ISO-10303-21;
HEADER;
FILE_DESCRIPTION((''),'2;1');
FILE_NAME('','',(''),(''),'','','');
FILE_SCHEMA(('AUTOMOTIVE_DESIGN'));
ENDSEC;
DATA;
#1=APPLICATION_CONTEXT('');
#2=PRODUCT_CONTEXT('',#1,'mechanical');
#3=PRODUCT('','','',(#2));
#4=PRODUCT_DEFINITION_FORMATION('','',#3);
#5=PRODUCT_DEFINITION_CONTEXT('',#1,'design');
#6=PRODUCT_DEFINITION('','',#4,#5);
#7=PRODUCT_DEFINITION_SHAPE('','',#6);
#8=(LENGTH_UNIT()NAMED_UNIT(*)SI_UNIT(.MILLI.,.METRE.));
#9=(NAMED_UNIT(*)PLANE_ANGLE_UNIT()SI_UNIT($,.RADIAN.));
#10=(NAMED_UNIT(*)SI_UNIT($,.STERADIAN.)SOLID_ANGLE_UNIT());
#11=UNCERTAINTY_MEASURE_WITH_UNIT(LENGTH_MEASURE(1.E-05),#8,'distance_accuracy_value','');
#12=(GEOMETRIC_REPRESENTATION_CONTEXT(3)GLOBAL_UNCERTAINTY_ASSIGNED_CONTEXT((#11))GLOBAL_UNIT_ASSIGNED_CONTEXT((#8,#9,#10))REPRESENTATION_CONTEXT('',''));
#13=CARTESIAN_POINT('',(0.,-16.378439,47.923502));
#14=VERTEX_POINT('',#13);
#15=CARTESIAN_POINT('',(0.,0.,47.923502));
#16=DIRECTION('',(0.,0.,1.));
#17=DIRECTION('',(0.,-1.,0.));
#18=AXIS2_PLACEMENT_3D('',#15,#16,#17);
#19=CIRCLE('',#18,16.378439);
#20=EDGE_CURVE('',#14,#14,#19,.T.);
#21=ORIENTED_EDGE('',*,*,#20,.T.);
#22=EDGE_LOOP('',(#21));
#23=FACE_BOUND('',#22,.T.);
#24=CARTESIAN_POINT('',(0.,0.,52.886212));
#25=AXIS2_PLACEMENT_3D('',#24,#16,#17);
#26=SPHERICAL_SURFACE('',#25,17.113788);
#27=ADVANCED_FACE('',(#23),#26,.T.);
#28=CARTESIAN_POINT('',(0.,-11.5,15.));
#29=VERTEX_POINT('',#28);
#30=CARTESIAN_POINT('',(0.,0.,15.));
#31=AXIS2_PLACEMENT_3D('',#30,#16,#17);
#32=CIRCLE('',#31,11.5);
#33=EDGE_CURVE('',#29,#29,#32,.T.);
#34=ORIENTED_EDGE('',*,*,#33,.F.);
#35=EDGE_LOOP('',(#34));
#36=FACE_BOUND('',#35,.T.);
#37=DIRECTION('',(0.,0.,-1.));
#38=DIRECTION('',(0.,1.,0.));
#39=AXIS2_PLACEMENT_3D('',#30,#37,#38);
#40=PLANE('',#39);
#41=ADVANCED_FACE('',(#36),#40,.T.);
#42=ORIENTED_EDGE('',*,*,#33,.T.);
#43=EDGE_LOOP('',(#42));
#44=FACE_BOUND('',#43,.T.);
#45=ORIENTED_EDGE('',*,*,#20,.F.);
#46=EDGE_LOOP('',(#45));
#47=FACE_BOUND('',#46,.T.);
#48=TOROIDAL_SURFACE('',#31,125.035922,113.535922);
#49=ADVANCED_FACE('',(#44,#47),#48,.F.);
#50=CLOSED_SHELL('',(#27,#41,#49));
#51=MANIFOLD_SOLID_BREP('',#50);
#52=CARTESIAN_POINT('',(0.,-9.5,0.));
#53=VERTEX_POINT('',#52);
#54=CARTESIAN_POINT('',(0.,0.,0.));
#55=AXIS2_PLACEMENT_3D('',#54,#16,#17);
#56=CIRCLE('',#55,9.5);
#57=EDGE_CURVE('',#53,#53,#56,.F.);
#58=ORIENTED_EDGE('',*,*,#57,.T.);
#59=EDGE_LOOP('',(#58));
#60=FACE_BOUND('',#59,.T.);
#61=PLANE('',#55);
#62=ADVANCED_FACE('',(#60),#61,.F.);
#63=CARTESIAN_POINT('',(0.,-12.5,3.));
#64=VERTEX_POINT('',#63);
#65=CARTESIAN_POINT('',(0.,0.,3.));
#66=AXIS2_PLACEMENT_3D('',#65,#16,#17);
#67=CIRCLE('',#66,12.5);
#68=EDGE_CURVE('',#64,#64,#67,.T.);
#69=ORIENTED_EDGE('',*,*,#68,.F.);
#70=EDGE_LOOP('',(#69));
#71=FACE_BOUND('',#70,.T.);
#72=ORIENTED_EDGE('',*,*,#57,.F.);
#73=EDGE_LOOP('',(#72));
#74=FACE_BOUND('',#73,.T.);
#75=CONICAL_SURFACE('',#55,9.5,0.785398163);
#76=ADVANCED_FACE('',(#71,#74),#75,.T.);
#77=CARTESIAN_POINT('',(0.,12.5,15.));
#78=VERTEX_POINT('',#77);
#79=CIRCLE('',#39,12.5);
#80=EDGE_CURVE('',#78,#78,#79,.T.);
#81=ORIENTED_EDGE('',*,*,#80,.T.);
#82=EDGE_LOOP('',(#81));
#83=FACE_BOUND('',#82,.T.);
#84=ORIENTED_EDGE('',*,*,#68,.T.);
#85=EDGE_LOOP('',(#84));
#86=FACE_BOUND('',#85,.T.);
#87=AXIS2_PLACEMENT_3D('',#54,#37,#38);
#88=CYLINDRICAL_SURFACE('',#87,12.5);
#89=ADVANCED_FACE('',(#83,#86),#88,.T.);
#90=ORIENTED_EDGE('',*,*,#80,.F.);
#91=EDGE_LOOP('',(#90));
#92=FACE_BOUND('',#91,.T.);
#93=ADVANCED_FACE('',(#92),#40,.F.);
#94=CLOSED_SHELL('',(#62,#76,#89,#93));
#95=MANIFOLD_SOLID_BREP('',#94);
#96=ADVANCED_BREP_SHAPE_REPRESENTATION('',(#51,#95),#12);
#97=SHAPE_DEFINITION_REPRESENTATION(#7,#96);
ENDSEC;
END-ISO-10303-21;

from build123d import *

# Parameters (mm, degrees)
SKETCH1_W     = 15
SKETCH1_H     = 12.5
CHAMFER1_SIZE = 3


with BuildPart() as part:
    # Sketch1 → Revolve1 (revolve)
    with BuildSketch(Plane(origin=(0, 0, 0), x_dir=(0, 0, -1), z_dir=(1, 0, 0)), mode=Mode.PRIVATE) as revolve1_sk:
        with Locations((-7.5, -6.25)):
            Rectangle(SKETCH1_W, SKETCH1_H)
    revolve(revolve1_sk.sketch.rotate(Axis((0, 0, 0), (0, 0, 1)), 180), axis=Axis((0, 0, 0), (0, 0, 1)))

    # Chamfer1
    chamfer1_edges = [part.edges().sort_by_distance(p)[0] for p in [
        (0, -12.5, 0),
    ]]
    chamfer(chamfer1_edges, length=CHAMFER1_SIZE)


with BuildPart() as body_2:
    # Sketch2 → Revolve2 (revolve)
    with BuildSketch(Plane(origin=(0, 0, 0), x_dir=(0, 0, -1), z_dir=(1, 0, 0))):
        with BuildLine():
            Line((-15, 0), (-15, -11.5))
            ThreePointArc((-15, -11.5), (-31.641485331, -12.726231628), (-47.923501777, -16.378438967))
            ThreePointArc((-47.923501777, -16.378438967), (-63.083049036, -13.744317342), (-70, 0))
            Line((-70, 0), (-15, 0))
        make_face()
    revolve(axis=Axis((0, 0, 70), (0, 0, -1)))


solid = Compound([part.part, body_2.part])
